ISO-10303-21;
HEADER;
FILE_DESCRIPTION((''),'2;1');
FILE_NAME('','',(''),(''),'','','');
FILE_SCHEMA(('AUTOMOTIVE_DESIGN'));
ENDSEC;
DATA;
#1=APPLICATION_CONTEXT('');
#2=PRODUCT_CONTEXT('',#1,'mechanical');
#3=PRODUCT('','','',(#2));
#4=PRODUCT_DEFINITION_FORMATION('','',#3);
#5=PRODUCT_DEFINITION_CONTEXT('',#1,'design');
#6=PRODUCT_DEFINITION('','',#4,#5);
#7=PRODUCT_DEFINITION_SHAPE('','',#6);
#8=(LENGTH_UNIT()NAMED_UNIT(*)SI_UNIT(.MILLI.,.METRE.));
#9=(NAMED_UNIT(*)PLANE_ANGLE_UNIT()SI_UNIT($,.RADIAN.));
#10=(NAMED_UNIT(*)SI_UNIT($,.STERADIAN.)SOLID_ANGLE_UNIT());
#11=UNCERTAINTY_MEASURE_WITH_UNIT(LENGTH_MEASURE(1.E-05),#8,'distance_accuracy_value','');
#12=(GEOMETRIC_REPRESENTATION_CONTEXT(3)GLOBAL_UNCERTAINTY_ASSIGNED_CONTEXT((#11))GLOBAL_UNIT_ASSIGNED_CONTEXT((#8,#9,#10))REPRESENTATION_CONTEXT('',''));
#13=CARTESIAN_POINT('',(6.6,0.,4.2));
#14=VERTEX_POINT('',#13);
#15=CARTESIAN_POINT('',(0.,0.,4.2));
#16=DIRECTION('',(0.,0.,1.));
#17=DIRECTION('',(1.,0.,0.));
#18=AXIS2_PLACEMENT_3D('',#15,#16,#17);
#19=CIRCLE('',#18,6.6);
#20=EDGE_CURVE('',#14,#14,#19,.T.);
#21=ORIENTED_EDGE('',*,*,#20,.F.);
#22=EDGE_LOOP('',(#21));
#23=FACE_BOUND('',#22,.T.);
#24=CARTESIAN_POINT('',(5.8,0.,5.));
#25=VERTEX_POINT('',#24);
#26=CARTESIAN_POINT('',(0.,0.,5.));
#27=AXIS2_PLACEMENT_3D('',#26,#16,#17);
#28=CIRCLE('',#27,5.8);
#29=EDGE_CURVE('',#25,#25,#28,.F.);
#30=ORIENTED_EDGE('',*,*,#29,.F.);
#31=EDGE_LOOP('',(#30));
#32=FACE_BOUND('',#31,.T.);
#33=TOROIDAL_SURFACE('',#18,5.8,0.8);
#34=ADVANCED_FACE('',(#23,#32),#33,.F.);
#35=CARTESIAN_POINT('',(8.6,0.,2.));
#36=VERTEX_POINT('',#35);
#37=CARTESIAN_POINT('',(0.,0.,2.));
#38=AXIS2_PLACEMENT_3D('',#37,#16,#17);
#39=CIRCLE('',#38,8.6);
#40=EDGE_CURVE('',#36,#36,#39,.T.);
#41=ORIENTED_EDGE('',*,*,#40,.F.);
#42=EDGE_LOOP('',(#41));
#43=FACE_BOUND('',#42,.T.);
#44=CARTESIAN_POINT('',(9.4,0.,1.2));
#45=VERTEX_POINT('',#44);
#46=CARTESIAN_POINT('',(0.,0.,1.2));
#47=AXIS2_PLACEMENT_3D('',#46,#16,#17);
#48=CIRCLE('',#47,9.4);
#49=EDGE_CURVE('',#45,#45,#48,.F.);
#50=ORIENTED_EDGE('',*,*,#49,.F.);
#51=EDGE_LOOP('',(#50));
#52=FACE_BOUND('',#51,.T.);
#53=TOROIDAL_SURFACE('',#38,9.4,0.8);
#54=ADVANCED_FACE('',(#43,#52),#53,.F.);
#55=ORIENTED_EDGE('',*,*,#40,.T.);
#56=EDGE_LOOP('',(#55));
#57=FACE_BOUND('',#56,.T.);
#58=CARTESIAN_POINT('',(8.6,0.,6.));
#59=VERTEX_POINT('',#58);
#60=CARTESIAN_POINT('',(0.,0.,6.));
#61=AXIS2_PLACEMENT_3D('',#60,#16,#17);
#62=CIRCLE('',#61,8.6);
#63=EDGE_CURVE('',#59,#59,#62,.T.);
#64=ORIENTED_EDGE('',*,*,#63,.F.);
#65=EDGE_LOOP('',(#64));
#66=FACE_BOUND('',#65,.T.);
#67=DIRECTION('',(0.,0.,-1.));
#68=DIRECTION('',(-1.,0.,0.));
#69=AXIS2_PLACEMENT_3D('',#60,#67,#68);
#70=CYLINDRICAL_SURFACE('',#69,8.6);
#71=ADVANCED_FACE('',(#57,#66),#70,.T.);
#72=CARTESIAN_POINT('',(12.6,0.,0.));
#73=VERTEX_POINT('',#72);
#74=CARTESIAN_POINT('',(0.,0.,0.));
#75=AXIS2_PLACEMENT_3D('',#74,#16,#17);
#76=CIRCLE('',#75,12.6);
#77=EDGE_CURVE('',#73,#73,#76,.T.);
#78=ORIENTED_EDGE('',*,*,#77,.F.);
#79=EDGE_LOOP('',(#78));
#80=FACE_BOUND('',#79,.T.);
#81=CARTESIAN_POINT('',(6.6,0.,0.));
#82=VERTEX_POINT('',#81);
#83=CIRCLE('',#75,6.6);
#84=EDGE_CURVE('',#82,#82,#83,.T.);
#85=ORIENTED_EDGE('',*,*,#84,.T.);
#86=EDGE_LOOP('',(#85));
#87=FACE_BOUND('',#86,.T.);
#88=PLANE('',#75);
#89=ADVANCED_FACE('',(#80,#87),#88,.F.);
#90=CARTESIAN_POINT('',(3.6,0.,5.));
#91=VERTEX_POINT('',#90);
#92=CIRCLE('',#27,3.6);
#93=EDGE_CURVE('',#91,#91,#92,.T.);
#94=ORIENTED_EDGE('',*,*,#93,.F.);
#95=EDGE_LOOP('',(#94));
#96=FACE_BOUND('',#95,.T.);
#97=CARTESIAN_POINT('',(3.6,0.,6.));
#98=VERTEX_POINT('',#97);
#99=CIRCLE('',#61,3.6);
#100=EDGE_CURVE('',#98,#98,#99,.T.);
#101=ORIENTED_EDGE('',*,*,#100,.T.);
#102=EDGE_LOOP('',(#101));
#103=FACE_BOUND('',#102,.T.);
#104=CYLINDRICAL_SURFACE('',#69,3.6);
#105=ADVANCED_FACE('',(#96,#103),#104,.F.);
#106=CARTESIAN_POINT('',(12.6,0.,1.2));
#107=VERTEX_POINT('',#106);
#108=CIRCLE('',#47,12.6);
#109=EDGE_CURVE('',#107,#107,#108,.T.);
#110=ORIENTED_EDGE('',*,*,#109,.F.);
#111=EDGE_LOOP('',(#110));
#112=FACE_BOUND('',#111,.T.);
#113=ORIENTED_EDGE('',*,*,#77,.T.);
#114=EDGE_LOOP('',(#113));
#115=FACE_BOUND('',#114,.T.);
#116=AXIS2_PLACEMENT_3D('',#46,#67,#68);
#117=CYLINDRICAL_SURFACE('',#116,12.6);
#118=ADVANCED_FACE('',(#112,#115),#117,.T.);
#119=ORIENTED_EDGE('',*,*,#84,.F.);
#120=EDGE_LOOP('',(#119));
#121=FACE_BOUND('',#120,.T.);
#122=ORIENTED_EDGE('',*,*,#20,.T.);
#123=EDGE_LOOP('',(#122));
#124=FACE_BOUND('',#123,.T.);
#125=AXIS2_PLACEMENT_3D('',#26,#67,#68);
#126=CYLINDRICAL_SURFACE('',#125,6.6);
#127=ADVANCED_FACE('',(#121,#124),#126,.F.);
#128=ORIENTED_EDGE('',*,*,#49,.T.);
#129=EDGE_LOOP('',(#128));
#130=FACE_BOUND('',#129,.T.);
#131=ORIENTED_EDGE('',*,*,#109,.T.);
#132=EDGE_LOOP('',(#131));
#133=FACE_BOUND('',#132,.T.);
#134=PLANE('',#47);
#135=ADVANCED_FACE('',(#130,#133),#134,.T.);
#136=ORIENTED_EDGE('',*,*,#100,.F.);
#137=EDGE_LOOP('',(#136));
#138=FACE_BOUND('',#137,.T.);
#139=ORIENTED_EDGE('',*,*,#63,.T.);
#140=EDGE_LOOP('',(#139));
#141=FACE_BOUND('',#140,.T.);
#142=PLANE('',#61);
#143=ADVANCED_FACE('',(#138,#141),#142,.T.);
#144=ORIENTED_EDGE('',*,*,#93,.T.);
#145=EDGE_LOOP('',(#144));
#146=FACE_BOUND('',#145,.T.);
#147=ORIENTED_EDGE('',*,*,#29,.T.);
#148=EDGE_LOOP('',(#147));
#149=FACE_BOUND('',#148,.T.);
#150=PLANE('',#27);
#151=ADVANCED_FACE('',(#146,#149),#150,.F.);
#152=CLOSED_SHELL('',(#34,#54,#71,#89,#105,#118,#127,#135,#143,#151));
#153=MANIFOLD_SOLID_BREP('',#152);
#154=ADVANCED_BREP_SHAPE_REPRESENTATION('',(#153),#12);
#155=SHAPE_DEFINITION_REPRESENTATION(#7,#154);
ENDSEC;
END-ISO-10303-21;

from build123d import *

# Parameters (mm, degrees)
SKETCH1_R           = 12.6
BOSS_EXTRUDE1_DEPTH = 1.2
SKETCH1_3_R         = 8.6
SKETCH1_3_R_2       = 3.6
BOSS_EXTRUDE2_DEPTH = 6
SKETCH1_4_R         = 6.6
SKETCH1_4_R_2       = 3.6
CUT_EXTRUDE1_DEPTH  = 5
FILLET1_R           = 0.8
FILLET2_R           = 0.8


with BuildPart() as part:
    # Sketch1 → Boss-Extrude1 (new body)
    with BuildSketch(Plane.XY):
        Circle(SKETCH1_R)
    extrude(amount=BOSS_EXTRUDE1_DEPTH)

    # Sketch1<3> → Boss-Extrude2 (add)
    with BuildSketch(Plane.XY):
        Circle(SKETCH1_3_R)
        Circle(SKETCH1_3_R_2, mode=Mode.SUBTRACT)
    extrude(amount=BOSS_EXTRUDE2_DEPTH)

    # Sketch1<4> → Cut-Extrude1 (cut)
    with BuildSketch(Plane.XY):
        Circle(SKETCH1_4_R)
        Circle(SKETCH1_4_R_2, mode=Mode.SUBTRACT)
    extrude(amount=CUT_EXTRUDE1_DEPTH, mode=Mode.SUBTRACT)


with BuildPart() as cut_extrude1_kept_piece:
    # of the separate pieces the step leaves, the one the design keeps (cut_extrude1_pieces_kept)
    add(part.part.solids().sort_by_distance((12.6, 0, 0))[0])

    # Fillet1
    fillet1_edges = [cut_extrude1_kept_piece.edges().sort_by_distance(p)[0] for p in [
        (-6.6, 0, 5),
    ]]
    fillet(fillet1_edges, radius=FILLET1_R)

    # Fillet2
    fillet2_edges = [cut_extrude1_kept_piece.edges().sort_by_distance(p)[0] for p in [
        (-8.6, 0, 1.2),
    ]]
    fillet(fillet2_edges, radius=FILLET2_R)


solid = cut_extrude1_kept_piece.part
